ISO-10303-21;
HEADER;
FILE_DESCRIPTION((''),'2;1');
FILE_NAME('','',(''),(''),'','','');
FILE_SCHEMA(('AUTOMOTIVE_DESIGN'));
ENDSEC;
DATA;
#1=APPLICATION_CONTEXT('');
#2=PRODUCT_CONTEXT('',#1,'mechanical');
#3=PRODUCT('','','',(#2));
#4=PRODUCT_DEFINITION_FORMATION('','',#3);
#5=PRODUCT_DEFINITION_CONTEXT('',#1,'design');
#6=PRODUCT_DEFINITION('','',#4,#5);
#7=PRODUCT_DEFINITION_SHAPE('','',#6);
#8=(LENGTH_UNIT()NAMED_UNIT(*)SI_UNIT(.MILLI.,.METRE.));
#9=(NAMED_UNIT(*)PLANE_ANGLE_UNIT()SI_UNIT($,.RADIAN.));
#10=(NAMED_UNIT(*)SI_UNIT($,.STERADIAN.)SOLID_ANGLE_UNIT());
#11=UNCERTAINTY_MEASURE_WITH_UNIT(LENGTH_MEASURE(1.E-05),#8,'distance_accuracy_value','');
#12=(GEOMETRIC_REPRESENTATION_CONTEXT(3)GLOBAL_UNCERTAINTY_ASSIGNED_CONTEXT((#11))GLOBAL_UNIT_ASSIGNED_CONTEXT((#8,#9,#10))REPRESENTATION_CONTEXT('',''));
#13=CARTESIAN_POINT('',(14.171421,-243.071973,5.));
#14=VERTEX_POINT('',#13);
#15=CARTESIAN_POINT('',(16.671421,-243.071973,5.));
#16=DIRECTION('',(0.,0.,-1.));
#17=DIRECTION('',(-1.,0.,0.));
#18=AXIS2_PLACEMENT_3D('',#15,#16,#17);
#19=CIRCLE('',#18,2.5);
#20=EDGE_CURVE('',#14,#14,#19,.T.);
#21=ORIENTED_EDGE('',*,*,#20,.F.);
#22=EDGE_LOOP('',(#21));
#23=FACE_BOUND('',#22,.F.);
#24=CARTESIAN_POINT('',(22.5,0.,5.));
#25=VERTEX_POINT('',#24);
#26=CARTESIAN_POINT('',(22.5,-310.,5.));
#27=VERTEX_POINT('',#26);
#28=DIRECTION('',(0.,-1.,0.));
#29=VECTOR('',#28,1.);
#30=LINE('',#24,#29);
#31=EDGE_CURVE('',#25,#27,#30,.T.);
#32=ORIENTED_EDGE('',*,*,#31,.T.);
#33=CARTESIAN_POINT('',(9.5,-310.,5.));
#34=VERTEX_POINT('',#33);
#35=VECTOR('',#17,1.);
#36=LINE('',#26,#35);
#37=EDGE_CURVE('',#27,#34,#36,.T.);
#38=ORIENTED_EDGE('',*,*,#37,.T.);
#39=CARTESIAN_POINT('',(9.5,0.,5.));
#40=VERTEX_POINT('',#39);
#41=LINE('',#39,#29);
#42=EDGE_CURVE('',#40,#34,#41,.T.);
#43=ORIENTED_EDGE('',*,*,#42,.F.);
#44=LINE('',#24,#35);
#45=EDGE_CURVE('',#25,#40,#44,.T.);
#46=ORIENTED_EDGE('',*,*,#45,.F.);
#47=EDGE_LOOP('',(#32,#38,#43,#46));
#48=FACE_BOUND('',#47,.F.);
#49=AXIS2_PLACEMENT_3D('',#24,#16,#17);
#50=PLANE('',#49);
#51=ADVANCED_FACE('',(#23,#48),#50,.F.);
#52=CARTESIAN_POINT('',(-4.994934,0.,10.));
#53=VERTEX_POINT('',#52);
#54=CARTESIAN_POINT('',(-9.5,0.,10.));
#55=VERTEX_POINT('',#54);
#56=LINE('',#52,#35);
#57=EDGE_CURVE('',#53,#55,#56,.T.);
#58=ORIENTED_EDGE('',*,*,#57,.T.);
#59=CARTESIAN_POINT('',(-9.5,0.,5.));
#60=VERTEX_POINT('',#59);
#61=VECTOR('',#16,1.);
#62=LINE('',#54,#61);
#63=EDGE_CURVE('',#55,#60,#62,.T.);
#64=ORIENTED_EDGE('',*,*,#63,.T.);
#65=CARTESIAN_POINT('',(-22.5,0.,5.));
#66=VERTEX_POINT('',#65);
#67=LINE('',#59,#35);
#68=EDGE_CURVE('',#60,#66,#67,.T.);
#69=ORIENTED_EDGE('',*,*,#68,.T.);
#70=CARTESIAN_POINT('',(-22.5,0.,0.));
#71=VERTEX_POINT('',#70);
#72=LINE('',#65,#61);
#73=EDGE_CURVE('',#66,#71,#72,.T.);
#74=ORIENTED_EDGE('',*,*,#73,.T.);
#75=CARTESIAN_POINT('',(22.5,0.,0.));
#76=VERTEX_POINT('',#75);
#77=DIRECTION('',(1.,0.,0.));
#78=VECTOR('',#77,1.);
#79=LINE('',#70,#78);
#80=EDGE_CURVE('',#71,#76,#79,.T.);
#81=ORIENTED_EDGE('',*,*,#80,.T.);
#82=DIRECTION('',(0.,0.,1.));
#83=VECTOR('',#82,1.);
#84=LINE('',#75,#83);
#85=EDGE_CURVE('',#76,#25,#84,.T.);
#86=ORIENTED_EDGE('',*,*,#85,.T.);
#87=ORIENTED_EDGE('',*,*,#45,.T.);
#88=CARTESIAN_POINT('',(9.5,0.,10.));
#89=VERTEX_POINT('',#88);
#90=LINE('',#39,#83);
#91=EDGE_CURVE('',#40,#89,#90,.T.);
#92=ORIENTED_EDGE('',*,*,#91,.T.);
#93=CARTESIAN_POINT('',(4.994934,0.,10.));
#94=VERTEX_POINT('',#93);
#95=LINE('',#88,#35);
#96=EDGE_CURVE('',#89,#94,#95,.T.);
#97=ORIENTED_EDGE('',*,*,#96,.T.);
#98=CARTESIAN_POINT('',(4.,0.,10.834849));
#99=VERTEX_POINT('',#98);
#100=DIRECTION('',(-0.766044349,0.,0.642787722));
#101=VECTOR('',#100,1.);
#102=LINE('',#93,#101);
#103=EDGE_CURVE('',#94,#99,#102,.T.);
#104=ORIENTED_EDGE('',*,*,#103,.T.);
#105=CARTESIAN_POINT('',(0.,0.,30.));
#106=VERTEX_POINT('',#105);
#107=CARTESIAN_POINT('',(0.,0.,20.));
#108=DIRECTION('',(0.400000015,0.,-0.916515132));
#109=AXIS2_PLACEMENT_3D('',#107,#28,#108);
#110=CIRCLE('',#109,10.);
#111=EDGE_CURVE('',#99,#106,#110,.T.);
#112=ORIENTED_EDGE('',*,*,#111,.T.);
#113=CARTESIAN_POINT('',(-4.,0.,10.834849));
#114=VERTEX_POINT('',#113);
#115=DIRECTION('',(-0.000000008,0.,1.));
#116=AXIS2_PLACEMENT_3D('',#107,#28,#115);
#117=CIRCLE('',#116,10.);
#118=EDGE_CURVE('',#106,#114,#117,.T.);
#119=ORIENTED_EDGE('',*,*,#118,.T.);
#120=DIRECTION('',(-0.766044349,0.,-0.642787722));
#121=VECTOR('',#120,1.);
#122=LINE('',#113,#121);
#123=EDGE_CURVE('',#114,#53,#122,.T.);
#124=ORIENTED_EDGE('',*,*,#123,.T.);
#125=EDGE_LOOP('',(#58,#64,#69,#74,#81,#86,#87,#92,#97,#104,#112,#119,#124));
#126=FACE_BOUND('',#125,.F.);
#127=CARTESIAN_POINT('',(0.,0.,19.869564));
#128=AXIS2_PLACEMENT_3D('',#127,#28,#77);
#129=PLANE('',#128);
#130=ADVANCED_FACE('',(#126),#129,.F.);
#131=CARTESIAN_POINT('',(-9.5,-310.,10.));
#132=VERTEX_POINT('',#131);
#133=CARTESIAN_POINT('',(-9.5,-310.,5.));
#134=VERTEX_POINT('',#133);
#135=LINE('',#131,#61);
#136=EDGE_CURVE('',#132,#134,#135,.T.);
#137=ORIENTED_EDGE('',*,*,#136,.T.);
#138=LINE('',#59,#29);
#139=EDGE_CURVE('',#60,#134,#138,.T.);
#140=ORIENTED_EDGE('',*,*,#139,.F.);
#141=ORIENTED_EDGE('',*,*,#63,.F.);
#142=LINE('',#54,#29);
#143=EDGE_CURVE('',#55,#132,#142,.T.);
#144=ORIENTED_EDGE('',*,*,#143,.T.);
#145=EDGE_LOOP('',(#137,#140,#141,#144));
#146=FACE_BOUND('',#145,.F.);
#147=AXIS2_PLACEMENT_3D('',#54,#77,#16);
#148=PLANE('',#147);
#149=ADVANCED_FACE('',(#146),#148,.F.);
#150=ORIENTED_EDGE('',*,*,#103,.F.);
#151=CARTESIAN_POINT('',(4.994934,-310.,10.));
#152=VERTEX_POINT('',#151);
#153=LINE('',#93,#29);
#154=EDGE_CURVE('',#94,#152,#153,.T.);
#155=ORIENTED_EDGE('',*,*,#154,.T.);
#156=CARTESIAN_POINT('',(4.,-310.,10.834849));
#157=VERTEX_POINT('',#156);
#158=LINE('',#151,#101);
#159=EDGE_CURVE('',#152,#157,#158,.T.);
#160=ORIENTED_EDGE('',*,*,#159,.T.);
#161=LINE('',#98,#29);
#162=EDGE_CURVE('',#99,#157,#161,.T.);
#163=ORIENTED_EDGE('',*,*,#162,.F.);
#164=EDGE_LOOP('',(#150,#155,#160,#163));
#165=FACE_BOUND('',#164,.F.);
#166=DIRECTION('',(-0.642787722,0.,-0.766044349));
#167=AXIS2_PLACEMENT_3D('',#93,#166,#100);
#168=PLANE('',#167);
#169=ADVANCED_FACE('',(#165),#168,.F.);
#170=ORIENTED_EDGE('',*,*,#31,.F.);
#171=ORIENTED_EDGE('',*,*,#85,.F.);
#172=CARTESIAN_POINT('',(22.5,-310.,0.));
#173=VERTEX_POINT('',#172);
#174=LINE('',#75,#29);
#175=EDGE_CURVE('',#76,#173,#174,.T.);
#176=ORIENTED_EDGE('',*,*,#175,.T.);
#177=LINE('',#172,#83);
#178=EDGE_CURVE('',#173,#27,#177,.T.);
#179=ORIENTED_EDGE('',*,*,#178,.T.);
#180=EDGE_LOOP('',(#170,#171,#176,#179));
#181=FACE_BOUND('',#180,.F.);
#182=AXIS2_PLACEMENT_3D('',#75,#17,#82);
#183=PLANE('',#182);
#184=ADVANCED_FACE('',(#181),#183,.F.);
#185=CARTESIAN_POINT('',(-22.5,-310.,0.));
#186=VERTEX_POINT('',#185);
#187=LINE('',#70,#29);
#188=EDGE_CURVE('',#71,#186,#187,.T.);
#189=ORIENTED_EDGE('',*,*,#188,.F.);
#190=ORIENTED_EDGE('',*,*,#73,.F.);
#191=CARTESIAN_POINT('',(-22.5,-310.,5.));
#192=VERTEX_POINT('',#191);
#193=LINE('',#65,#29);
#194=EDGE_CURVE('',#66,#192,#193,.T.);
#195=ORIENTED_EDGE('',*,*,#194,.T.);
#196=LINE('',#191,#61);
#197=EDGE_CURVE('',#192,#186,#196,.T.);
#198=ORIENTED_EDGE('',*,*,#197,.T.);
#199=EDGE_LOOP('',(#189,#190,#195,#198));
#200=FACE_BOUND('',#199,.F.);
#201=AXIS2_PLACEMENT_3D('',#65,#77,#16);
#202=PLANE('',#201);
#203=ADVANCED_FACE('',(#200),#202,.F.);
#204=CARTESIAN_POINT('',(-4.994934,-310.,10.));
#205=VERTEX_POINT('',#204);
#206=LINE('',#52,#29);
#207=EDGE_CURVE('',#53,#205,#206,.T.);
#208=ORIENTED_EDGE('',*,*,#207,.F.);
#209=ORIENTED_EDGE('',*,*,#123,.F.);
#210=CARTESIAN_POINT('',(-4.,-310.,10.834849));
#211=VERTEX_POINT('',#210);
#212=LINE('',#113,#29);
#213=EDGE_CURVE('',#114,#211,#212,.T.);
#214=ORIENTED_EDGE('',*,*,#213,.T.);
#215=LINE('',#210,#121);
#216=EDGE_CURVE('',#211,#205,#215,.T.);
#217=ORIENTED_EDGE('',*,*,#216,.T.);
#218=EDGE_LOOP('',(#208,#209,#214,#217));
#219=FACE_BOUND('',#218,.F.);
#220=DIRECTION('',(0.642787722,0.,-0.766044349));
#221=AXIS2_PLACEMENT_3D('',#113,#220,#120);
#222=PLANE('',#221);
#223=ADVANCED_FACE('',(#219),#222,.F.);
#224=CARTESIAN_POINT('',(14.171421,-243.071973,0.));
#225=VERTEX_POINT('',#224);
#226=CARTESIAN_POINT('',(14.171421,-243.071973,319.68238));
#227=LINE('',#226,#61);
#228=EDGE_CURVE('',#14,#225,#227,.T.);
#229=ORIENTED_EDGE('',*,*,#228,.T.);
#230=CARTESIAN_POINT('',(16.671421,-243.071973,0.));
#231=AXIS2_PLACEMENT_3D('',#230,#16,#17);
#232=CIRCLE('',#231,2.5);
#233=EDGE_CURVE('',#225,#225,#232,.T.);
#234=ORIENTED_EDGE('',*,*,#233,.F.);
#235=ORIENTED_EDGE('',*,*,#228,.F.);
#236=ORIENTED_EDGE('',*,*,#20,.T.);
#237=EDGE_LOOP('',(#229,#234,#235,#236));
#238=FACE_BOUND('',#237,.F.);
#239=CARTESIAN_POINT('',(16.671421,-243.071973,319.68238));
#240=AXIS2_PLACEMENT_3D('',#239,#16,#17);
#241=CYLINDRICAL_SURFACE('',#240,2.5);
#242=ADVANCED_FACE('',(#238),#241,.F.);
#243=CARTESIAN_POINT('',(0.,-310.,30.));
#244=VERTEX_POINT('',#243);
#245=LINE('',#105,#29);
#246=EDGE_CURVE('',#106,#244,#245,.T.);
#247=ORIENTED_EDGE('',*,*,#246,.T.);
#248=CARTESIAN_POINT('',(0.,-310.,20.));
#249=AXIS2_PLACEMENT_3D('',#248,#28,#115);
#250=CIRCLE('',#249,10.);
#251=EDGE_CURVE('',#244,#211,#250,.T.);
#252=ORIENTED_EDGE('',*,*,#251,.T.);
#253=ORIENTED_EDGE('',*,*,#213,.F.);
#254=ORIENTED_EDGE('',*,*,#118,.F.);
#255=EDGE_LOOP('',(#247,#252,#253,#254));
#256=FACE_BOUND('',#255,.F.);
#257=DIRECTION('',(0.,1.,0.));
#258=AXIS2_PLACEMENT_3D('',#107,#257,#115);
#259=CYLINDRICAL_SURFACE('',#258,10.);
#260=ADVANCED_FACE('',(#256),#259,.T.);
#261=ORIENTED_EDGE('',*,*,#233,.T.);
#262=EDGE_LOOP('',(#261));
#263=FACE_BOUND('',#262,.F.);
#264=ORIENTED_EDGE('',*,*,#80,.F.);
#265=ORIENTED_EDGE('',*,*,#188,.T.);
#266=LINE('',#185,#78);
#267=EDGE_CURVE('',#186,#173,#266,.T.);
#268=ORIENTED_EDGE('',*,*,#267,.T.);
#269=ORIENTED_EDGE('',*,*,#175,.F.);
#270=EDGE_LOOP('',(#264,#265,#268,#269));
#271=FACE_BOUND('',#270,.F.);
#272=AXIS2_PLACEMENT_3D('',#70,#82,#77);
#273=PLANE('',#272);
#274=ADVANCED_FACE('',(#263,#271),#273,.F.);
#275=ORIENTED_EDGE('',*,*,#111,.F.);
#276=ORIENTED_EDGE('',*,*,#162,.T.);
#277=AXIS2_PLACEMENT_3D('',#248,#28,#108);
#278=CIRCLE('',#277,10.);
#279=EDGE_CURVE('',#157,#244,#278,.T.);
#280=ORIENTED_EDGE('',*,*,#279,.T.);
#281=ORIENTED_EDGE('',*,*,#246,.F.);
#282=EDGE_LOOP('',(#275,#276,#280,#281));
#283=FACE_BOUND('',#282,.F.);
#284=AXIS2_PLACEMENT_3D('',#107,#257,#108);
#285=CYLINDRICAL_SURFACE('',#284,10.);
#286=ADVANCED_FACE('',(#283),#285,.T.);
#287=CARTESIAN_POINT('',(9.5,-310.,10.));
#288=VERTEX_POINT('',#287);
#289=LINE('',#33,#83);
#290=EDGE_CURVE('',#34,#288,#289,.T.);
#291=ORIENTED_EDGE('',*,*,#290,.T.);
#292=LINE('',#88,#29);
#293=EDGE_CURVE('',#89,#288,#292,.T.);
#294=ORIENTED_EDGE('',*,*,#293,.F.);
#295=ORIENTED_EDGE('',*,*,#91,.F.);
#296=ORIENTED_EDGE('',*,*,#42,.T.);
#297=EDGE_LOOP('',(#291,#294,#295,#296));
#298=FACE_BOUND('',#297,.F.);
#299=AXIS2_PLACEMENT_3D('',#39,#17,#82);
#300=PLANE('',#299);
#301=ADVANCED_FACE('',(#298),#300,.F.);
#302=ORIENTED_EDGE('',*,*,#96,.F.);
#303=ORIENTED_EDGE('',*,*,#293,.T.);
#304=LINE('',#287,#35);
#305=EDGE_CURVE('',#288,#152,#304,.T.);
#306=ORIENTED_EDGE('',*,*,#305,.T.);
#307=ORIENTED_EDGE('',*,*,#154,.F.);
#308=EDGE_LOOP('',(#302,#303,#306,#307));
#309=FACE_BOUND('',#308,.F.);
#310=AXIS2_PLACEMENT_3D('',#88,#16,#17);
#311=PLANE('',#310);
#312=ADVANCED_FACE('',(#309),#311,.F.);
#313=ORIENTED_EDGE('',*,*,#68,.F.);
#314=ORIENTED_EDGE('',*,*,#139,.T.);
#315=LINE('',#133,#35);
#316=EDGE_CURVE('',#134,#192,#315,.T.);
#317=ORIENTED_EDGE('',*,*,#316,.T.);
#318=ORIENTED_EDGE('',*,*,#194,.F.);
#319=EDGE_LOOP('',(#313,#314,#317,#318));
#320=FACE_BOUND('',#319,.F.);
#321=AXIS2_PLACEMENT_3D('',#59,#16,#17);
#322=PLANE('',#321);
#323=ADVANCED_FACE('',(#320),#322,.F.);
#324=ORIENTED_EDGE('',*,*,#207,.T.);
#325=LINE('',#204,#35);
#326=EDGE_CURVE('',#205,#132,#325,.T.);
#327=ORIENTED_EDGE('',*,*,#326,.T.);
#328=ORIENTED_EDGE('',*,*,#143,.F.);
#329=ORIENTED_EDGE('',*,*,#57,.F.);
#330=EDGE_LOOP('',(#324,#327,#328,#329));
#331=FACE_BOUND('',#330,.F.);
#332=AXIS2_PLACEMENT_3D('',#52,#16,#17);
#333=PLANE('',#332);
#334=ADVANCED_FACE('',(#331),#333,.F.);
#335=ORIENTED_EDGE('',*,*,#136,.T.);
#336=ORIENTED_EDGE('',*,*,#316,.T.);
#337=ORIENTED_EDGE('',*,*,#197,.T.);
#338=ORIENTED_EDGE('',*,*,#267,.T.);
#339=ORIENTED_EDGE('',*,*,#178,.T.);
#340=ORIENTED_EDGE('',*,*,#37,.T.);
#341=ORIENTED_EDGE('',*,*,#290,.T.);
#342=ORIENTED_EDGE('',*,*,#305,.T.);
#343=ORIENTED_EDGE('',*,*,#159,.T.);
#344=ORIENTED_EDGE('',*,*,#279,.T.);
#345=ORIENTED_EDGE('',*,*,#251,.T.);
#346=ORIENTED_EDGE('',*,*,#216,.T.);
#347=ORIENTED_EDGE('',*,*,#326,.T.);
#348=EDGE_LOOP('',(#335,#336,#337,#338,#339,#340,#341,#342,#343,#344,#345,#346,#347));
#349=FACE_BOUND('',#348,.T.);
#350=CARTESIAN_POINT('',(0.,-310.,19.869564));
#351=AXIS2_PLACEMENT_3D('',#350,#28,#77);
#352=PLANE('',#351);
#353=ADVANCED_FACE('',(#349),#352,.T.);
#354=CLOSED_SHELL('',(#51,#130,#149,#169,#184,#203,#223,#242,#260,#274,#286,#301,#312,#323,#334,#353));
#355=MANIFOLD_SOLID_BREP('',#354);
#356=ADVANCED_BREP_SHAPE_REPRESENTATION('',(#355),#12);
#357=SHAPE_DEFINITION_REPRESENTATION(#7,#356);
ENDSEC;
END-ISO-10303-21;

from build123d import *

# Parameters (mm, degrees)
F1_DEPTH = 310
F3_D     = 5


with BuildPart() as f1:
    # F0 (on Front) → F1 (new body)
    with BuildSketch(Plane.XZ):
        with BuildLine():
            ThreePointArc((0, 10), (2.043096, 10.210937), (4, 10.834849))
            ThreePointArc((4, 10.834849), (9.789063, 22.043096), (0, 30))
            ThreePointArc((0, 30), (-9.789063, 22.043096), (-4, 10.834849))
            ThreePointArc((-4, 10.834849), (-2.043096, 10.210937), (0, 10))
        make_face()
        with BuildLine():
            Line((-22.5, 0), (0, 0))
            Line((0, 0), (22.5, 0))
            Line((22.5, 0), (22.5, 5))
            Line((22.5, 5), (9.5, 5))
            Line((9.5, 5), (9.5, 10))
            Line((9.5, 10), (4.994934, 10))
            Line((4.994934, 10), (4, 10.834849))
            ThreePointArc((4, 10.834849), (2.043096, 10.210937), (0, 10))
            ThreePointArc((0, 10), (-2.043096, 10.210937), (-4, 10.834849))
            Line((-4, 10.834849), (-4.994934, 10))
            Line((-4.994934, 10), (-9.5, 10))
            Line((-9.5, 10), (-9.5, 5))
            Line((-9.5, 5), (-22.5, 5))
            Line((-22.5, 5), (-22.5, 0))
        make_face()
    extrude(amount=F1_DEPTH)

    # F3 (through all)
    with Locations(Plane.XY.offset(5)):
        with Locations((16.671421, -243.071973)):
            Hole(F3_D / 2)


solid = f1.part
